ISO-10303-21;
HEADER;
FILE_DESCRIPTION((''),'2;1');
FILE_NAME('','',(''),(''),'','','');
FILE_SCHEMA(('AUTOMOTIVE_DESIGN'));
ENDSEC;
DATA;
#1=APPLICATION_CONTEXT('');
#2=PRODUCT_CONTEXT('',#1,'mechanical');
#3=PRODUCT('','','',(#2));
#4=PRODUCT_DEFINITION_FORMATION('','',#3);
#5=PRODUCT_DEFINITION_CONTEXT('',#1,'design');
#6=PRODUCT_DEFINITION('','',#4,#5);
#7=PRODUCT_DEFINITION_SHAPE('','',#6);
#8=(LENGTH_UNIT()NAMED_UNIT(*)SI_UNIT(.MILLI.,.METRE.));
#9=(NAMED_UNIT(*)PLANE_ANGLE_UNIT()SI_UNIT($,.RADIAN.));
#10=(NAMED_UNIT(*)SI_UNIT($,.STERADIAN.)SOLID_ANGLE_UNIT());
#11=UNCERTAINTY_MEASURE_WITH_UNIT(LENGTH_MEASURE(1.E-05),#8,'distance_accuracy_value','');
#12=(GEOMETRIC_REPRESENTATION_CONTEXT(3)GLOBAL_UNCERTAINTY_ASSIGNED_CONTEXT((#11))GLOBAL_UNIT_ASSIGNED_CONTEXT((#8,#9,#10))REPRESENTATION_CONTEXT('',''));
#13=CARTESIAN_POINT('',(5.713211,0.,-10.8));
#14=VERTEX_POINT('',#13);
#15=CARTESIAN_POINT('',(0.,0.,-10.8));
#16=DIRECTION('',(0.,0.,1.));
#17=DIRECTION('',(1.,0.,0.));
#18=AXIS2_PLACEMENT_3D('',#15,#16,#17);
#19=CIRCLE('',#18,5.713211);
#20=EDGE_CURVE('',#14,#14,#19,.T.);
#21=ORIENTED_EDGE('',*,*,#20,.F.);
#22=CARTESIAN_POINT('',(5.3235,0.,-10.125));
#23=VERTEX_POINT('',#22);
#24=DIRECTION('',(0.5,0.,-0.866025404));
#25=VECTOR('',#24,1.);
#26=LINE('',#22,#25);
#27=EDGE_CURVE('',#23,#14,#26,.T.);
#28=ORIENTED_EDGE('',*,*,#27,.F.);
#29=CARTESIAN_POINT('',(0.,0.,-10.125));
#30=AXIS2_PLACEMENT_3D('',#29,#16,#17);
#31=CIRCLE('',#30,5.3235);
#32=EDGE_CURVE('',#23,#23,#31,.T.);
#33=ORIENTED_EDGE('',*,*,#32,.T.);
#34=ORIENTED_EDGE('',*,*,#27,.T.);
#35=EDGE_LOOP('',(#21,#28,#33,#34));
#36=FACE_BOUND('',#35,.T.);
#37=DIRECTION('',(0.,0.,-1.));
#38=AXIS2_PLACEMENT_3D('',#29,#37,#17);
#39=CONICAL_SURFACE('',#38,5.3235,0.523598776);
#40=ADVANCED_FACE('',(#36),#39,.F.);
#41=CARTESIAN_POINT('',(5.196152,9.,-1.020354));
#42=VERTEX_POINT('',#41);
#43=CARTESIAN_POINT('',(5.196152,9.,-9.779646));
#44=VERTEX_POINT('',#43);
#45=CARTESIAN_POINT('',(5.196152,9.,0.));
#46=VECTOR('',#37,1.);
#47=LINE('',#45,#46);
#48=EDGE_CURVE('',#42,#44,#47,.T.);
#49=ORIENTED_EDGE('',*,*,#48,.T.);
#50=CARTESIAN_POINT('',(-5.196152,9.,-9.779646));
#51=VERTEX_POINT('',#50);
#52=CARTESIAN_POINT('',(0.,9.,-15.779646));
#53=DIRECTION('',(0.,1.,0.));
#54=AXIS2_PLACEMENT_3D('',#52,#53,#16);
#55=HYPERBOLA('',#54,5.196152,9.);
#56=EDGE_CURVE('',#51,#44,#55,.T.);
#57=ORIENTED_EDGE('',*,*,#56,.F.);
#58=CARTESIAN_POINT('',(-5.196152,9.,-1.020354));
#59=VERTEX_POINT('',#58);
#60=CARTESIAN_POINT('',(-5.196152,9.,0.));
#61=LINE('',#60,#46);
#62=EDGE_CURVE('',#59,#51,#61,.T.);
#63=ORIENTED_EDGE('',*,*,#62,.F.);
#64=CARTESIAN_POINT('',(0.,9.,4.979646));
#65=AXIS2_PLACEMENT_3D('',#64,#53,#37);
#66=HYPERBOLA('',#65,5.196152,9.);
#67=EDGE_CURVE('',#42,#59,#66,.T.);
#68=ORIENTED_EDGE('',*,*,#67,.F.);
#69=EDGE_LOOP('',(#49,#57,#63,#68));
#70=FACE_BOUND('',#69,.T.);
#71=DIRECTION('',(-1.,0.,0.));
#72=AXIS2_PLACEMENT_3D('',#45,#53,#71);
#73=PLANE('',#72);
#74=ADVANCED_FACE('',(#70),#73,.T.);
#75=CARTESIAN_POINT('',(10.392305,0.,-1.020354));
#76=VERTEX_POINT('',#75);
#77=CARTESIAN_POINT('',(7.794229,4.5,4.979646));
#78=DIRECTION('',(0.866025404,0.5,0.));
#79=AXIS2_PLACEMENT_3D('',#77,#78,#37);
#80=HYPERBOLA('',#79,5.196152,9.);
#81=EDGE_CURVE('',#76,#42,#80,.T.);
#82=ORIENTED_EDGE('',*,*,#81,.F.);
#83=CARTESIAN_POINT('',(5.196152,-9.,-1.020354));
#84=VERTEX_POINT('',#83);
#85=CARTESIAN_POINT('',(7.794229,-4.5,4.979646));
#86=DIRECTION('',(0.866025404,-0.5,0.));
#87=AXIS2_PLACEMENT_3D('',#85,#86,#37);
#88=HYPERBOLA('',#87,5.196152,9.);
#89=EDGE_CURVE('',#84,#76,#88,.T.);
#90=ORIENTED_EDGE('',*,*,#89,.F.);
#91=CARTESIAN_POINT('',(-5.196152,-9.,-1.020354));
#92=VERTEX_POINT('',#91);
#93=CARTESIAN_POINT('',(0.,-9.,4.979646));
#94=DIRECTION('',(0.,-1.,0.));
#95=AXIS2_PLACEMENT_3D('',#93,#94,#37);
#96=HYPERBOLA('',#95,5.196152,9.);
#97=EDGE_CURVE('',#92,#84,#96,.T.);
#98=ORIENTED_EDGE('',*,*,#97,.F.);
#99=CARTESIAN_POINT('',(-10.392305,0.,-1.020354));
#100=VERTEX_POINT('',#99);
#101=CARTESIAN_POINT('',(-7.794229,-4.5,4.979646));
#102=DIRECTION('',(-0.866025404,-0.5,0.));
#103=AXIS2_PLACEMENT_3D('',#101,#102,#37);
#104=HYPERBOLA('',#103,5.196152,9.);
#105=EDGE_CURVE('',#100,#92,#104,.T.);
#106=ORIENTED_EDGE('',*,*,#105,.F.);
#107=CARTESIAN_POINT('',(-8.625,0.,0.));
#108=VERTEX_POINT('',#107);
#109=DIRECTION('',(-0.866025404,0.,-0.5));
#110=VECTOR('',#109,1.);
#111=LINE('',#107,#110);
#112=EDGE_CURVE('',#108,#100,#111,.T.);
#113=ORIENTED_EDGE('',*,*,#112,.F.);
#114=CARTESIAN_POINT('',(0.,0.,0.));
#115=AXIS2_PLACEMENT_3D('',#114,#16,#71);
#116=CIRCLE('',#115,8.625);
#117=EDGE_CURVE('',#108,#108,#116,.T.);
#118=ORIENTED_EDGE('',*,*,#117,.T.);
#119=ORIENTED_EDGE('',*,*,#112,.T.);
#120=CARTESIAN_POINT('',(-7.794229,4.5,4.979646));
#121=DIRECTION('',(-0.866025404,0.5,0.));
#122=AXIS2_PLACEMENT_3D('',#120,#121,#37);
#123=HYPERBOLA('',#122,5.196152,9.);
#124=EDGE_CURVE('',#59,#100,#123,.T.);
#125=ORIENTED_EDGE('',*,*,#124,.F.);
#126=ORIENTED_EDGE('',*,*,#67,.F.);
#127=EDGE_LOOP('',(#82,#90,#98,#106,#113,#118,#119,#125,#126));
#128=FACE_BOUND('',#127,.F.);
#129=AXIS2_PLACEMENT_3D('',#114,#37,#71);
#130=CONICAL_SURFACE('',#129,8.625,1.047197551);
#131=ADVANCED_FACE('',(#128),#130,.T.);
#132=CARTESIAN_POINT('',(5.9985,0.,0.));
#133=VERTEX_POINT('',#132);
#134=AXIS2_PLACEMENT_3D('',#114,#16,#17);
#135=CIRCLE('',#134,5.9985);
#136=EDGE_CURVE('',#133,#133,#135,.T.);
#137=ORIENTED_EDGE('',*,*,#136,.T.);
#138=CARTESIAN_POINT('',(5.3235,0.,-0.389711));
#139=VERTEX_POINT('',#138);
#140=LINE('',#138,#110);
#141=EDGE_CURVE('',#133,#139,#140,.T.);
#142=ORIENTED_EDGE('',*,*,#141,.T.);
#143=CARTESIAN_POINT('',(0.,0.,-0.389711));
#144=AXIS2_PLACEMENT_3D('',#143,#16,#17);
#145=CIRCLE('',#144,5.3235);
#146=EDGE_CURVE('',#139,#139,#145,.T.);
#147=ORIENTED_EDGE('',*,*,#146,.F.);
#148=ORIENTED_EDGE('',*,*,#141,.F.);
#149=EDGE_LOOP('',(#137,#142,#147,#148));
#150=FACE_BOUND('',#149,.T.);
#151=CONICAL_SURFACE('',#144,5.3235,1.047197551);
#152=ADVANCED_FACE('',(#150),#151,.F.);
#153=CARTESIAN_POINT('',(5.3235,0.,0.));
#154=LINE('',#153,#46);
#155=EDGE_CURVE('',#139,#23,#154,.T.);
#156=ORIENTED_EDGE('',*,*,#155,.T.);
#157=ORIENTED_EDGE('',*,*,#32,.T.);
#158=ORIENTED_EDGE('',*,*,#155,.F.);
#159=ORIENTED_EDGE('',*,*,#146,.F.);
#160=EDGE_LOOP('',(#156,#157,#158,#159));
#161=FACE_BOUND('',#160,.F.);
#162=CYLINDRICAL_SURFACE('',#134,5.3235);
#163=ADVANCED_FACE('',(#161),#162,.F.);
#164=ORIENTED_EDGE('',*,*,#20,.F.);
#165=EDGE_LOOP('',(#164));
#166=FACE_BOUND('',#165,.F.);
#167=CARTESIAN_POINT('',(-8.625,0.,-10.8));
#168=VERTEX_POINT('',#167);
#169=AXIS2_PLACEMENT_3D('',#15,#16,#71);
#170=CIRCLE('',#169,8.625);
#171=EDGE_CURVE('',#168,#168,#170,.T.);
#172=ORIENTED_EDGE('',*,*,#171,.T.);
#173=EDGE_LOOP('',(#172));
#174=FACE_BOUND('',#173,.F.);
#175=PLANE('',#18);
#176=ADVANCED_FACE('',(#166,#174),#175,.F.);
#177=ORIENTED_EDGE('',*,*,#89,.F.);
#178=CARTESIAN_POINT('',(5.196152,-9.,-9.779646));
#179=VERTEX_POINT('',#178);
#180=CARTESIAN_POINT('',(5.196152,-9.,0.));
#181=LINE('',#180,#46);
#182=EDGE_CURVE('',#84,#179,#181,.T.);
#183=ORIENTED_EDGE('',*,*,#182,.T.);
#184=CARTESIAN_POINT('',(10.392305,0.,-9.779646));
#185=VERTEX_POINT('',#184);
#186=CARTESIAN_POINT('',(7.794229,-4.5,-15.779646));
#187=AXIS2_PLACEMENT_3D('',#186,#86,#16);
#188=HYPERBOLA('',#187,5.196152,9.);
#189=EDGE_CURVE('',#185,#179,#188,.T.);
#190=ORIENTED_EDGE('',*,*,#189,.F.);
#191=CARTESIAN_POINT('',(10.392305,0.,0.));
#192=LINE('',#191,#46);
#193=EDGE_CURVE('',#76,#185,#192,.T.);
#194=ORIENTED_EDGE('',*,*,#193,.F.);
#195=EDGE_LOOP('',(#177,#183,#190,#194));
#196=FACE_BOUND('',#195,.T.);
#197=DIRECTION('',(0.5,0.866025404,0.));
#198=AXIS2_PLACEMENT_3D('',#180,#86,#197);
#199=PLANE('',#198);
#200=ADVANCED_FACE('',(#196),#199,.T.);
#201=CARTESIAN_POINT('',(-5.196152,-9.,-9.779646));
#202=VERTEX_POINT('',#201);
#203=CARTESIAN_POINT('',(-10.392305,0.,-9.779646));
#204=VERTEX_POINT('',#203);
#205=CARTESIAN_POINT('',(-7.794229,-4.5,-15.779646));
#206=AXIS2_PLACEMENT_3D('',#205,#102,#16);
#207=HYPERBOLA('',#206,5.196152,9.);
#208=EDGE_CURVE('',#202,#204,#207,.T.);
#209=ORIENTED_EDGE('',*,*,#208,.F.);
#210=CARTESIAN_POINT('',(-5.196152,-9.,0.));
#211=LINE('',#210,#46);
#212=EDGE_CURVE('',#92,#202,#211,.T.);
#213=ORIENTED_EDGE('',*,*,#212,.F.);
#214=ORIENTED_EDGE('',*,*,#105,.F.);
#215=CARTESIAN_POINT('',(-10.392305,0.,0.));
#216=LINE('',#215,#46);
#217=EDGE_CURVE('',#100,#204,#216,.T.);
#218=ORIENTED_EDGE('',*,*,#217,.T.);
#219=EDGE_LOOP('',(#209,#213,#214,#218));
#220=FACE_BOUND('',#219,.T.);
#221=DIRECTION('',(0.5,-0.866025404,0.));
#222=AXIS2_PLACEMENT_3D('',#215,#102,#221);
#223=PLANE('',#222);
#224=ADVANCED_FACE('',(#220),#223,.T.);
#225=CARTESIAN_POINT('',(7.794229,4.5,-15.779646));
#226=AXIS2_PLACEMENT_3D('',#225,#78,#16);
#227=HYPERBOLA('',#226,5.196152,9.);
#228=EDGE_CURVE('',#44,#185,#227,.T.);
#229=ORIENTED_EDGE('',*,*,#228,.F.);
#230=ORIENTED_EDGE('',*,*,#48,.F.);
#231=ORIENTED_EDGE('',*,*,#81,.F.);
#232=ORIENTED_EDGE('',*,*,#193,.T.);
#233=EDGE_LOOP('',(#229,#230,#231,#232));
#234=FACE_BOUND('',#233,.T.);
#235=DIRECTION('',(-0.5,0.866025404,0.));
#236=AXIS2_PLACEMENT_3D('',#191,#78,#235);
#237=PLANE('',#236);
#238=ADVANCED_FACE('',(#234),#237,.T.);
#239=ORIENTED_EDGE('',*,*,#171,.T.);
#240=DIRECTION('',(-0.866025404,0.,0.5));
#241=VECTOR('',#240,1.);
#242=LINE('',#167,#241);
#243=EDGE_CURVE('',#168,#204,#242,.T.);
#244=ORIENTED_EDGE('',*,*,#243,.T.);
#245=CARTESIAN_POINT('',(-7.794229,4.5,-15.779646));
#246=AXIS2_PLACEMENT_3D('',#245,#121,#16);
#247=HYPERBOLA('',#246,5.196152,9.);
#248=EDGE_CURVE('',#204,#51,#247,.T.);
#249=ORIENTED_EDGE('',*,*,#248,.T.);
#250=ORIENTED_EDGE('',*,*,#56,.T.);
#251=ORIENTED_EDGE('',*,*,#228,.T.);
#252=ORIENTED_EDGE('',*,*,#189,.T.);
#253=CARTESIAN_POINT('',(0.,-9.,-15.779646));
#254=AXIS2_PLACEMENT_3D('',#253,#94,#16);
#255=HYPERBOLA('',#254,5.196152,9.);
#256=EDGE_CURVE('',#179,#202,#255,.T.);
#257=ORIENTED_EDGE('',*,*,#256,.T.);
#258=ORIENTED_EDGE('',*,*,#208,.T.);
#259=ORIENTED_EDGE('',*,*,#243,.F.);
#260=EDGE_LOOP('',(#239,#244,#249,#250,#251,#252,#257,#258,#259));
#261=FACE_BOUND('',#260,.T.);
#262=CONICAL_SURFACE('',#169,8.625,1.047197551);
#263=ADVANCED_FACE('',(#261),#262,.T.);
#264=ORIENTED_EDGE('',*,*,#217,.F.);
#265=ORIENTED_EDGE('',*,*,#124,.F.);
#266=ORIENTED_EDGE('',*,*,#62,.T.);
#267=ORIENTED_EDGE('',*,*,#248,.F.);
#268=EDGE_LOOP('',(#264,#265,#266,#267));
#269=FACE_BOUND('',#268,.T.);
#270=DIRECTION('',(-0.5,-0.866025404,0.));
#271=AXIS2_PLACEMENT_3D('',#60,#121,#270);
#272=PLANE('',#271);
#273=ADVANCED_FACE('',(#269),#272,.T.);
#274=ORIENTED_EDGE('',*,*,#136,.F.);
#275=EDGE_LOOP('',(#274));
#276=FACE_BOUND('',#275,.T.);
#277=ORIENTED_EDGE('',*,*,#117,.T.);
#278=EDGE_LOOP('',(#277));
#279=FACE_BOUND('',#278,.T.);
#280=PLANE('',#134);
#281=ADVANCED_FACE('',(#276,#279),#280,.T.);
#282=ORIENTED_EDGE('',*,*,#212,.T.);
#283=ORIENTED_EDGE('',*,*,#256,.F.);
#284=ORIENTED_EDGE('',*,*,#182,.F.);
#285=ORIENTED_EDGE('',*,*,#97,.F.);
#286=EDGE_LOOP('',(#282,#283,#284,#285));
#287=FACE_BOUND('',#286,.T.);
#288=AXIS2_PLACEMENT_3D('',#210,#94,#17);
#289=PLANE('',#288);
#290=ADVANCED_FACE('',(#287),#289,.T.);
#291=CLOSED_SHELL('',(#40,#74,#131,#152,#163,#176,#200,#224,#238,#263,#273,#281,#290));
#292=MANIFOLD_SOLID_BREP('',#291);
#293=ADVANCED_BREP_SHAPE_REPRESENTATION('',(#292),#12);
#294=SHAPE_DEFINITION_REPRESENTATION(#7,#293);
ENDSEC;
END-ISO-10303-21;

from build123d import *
from OCP.BRepFilletAPI import BRepFilletAPI_MakeChamfer

# Parameters (mm, degrees)
SKETCH1_R        = 5.3235
BASENUT_DEPTH    = 10.8
ENDCHAMFER_SIZE  = 0.675
ENDCHAMFER_SIZE2 = 0.389711432


with BuildPart() as part:
    # Sketch1 → BaseNut (new body)
    with BuildSketch(Plane.XY):
        Polygon((5.196152423, -9), (10.392304845, 0), (5.196152423, 9), (-5.196152423, 9), (-10.392304845, 0), (-5.196152423, -9), align=None)
        Circle(SKETCH1_R, mode=Mode.SUBTRACT)
    extrude(amount=-BASENUT_DEPTH)

    # Sketch2 → Double-Chamfer (revolve, cut)
    with BuildSketch(Plane(origin=(0, 0, 0), x_dir=(1, 0, 0), z_dir=(0, 1, 0))):
        Polygon((-10.392304845, 10.8), (-8.625, 10.8), (-10.392304845, 9.779646072), align=None)
        Polygon((-10.392304845, 1.020353928), (-10.392304845, 0), (-8.625, 0), align=None)
    revolve(axis=Axis((0, 0, -9.817107763), (0, 0, 1)), mode=Mode.SUBTRACT)

    # EndChamfer: one chamfer whose edges measure the first distance from different faces: ONE call of the kernel's chamfer builder (chamfer() names one face for all edges)
    endchamfer_edges_1 = [part.edges().sort_by_distance(p)[0] for p in [
        (-5.3235, 0, -10.8),
    ]]
    endchamfer_side_1 = [part.faces().sort_by_distance(p)[0] for p in [
        (-5.3235, 0, -5.4),
    ]]
    endchamfer_edges_2 = [part.edges().sort_by_distance(p)[0] for p in [
        (-5.3235, 0, 0),
    ]]
    endchamfer_side_2 = [part.faces().sort_by_distance(p)[0] for p in [
        (8.38104816, 0, 0),
    ]]
    endchamfer = BRepFilletAPI_MakeChamfer(part.part.solid().wrapped)
    for e in endchamfer_edges_1:
        endchamfer.Add(ENDCHAMFER_SIZE, ENDCHAMFER_SIZE2, e.wrapped, endchamfer_side_1[0].wrapped)  # the first distance lies on this face
    for e in endchamfer_edges_2:
        endchamfer.Add(ENDCHAMFER_SIZE, ENDCHAMFER_SIZE2, e.wrapped, endchamfer_side_2[0].wrapped)  # the first distance lies on this face
    add(Compound.cast(endchamfer.Shape()), mode=Mode.REPLACE)


solid = part.part
